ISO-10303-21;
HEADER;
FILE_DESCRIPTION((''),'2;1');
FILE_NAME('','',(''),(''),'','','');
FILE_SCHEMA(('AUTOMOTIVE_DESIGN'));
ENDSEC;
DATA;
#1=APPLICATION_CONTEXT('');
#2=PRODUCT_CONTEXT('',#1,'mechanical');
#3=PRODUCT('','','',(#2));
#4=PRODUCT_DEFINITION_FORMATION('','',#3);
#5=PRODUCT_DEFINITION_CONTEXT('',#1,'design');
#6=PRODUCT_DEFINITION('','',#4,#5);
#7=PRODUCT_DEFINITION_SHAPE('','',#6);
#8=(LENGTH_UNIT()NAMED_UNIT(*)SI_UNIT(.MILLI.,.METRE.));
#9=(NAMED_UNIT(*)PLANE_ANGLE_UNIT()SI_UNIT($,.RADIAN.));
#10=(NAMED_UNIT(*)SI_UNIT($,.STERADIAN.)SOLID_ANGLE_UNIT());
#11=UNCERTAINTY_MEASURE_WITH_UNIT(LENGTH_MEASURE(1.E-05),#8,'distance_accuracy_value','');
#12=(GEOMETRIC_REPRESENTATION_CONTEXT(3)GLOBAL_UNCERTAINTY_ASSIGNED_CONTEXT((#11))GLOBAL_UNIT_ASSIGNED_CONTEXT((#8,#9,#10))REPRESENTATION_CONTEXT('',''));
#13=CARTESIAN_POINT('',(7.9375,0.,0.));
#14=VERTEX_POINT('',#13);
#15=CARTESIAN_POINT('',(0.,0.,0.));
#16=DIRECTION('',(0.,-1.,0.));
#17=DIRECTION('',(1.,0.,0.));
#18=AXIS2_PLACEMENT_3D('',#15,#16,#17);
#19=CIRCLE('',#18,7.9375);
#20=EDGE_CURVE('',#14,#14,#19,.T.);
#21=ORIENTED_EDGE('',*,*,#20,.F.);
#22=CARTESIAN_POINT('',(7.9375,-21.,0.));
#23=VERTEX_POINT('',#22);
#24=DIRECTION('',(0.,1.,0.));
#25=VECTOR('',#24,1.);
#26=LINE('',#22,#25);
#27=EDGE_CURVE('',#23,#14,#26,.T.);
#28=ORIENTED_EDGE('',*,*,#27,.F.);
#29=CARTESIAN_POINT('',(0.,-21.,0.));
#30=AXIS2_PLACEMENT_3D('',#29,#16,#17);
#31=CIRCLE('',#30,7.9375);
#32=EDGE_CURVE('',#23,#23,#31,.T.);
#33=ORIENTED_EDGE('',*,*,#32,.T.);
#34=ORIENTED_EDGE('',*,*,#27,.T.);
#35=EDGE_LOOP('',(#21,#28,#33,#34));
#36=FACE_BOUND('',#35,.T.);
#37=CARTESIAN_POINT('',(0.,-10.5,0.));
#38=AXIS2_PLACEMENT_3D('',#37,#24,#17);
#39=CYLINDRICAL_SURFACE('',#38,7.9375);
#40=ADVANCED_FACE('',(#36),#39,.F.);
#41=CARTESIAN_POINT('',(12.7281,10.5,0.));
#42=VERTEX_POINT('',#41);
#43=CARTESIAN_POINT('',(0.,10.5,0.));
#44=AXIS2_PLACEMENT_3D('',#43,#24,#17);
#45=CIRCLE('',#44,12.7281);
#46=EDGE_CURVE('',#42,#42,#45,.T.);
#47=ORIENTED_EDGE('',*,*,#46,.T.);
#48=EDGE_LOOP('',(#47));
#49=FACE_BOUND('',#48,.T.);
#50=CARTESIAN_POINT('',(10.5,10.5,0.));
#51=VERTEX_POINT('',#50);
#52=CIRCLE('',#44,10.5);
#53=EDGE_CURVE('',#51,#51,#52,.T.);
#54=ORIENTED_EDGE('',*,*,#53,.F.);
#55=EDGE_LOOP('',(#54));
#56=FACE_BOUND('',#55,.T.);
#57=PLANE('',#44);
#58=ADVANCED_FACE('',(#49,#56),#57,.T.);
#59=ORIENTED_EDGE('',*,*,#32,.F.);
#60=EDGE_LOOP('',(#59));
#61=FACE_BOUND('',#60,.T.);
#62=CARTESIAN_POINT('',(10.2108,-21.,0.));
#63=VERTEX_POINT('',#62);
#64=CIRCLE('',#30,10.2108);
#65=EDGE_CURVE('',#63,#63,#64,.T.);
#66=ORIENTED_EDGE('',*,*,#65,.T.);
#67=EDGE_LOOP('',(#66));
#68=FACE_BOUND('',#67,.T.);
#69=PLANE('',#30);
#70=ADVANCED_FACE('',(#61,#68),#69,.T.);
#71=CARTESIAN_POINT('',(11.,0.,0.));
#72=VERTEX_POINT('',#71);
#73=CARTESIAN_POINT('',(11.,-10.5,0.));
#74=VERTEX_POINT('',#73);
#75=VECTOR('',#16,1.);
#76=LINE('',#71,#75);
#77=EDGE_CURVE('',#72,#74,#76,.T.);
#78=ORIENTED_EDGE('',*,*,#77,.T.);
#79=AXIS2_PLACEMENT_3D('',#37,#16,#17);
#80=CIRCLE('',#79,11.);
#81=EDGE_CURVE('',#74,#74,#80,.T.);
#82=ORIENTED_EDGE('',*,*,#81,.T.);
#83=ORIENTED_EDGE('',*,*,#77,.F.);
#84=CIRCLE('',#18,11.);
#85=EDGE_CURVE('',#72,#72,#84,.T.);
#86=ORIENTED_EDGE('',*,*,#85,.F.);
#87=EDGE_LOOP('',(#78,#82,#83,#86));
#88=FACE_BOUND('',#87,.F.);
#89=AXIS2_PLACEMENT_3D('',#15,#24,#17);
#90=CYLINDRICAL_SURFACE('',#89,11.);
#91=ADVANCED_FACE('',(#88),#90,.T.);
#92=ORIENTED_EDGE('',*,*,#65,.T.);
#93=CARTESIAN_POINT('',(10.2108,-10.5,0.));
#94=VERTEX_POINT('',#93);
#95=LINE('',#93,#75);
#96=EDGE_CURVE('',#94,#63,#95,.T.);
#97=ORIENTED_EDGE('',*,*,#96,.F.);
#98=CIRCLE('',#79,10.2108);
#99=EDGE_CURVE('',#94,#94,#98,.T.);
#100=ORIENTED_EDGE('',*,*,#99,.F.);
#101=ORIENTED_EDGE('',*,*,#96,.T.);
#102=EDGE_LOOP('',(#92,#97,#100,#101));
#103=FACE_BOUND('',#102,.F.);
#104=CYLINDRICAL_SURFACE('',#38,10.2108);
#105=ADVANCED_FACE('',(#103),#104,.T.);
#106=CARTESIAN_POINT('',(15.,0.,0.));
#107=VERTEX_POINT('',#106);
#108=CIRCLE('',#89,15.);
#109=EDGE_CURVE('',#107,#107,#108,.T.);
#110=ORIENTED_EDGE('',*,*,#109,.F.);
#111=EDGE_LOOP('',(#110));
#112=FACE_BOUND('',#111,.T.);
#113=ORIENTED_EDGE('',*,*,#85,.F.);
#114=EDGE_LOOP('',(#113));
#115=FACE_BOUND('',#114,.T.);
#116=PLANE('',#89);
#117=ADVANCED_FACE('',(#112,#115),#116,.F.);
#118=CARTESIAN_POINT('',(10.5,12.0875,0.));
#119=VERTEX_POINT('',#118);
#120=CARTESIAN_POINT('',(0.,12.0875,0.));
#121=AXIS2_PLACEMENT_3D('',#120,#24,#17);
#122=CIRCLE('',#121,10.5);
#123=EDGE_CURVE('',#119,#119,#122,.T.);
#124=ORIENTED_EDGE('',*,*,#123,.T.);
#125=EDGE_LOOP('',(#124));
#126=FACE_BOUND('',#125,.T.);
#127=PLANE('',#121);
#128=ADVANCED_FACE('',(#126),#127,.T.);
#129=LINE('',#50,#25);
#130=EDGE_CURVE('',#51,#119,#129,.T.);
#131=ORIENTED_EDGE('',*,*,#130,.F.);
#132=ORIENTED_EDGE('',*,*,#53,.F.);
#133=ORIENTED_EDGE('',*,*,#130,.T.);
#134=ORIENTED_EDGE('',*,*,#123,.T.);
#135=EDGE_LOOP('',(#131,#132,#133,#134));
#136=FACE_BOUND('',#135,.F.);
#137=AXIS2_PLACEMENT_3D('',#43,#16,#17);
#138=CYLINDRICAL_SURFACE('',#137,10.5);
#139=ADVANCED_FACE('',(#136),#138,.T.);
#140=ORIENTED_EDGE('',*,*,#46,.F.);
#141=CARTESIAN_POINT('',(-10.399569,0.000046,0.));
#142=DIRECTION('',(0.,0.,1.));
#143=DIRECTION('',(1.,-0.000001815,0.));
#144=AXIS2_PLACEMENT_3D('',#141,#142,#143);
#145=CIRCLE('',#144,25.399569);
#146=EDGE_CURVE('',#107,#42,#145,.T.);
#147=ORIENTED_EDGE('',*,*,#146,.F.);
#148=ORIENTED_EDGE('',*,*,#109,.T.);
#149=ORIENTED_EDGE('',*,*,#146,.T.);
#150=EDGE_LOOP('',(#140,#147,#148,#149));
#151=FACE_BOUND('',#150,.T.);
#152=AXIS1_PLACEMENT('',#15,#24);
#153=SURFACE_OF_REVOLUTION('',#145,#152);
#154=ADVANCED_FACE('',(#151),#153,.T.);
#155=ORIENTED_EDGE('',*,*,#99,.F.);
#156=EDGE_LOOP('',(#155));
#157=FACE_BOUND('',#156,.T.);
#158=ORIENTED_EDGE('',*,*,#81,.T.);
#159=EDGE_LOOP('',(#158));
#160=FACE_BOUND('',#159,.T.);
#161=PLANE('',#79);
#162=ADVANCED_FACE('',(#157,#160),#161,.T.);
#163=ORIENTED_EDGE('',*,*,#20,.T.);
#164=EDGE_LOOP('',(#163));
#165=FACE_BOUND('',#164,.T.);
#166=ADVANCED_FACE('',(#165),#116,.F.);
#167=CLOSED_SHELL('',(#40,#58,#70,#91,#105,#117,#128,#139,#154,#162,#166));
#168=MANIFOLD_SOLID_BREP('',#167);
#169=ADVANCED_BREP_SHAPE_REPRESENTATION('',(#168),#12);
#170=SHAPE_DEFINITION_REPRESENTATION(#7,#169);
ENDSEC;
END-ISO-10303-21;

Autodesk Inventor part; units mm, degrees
ref_plane "YZ Plane" through (0, 0, 0) normal (1, 0, 0) x (0, 1, 0)
ref_plane "XZ Plane" through (0, 0, 0) normal (0, 1, 0) x (-1, 0, 0)
ref_plane "XY Plane" through (0, 0, 0) normal (0, 0, 1) x (1, 0, 0)
sketch "Sketch9" plane through (0, 0, 0) normal (0, 0, 1) x (1, 0, 0)
  line L0 (0, 0) -> (0, 10.5)
  line L1 (0, 0) -> (15, 0)
  arc A0 (15, 0) -> (12.7281, 10.5) centre (-10.4, 0) ccw
  line L2 (12.7281, 10.5) -> (0, 10.5)
  dimension "d35" = 30
  dimension "d37" = 25.4
  dimension "d43" = 10.5
revolve "Revolution1" add sketch "Sketch9" angle 360 about axis through (0, 0, 0) along (0, 1, 0)
sketch "Sketch10" plane through (0, 10.5, 0) normal (0, 1, 0) x (1, 0, 0)
  circle A0 centre (0, 0) radius 12.7281 projected
  circle A1 centre (0, 0) radius 10.5
  dimension "d39" = 21
extrude "Extrusion6" add sketch "Sketch10" along normal blind 1.5875 contours A1
sketch "Sketch11" plane through (0, 0, 0) normal (0, -1, 0) x (1, 0, 0)
  circle A0 centre (0, 0) radius 15 projected
  circle A1 centre (0, 0) radius 11
  circle A2 centre (0, 0) radius 7.9375
  dimension "d42" = 22
  dimension "d44" = 15.875
extrude "Extrusion7" add sketch "Sketch11" along normal blind 10.5 contours A1
sketch "Sketch12" plane through (0, -10.5, 0) normal (0, -1, 0) x (1, 0, 0)
  circle A0 centre (0, 0) radius 7.9375 projected
  circle A1 centre (0, 0) radius 11 projected
  circle A2 centre (0, 0) radius 10.2108
  dimension "d47" = 20.4216
extrude "Extrusion8" add sketch "Sketch12" along normal blind 10.5 contours A2
properties part number "22 MM Push Button Red" material "Delrin, Black"
